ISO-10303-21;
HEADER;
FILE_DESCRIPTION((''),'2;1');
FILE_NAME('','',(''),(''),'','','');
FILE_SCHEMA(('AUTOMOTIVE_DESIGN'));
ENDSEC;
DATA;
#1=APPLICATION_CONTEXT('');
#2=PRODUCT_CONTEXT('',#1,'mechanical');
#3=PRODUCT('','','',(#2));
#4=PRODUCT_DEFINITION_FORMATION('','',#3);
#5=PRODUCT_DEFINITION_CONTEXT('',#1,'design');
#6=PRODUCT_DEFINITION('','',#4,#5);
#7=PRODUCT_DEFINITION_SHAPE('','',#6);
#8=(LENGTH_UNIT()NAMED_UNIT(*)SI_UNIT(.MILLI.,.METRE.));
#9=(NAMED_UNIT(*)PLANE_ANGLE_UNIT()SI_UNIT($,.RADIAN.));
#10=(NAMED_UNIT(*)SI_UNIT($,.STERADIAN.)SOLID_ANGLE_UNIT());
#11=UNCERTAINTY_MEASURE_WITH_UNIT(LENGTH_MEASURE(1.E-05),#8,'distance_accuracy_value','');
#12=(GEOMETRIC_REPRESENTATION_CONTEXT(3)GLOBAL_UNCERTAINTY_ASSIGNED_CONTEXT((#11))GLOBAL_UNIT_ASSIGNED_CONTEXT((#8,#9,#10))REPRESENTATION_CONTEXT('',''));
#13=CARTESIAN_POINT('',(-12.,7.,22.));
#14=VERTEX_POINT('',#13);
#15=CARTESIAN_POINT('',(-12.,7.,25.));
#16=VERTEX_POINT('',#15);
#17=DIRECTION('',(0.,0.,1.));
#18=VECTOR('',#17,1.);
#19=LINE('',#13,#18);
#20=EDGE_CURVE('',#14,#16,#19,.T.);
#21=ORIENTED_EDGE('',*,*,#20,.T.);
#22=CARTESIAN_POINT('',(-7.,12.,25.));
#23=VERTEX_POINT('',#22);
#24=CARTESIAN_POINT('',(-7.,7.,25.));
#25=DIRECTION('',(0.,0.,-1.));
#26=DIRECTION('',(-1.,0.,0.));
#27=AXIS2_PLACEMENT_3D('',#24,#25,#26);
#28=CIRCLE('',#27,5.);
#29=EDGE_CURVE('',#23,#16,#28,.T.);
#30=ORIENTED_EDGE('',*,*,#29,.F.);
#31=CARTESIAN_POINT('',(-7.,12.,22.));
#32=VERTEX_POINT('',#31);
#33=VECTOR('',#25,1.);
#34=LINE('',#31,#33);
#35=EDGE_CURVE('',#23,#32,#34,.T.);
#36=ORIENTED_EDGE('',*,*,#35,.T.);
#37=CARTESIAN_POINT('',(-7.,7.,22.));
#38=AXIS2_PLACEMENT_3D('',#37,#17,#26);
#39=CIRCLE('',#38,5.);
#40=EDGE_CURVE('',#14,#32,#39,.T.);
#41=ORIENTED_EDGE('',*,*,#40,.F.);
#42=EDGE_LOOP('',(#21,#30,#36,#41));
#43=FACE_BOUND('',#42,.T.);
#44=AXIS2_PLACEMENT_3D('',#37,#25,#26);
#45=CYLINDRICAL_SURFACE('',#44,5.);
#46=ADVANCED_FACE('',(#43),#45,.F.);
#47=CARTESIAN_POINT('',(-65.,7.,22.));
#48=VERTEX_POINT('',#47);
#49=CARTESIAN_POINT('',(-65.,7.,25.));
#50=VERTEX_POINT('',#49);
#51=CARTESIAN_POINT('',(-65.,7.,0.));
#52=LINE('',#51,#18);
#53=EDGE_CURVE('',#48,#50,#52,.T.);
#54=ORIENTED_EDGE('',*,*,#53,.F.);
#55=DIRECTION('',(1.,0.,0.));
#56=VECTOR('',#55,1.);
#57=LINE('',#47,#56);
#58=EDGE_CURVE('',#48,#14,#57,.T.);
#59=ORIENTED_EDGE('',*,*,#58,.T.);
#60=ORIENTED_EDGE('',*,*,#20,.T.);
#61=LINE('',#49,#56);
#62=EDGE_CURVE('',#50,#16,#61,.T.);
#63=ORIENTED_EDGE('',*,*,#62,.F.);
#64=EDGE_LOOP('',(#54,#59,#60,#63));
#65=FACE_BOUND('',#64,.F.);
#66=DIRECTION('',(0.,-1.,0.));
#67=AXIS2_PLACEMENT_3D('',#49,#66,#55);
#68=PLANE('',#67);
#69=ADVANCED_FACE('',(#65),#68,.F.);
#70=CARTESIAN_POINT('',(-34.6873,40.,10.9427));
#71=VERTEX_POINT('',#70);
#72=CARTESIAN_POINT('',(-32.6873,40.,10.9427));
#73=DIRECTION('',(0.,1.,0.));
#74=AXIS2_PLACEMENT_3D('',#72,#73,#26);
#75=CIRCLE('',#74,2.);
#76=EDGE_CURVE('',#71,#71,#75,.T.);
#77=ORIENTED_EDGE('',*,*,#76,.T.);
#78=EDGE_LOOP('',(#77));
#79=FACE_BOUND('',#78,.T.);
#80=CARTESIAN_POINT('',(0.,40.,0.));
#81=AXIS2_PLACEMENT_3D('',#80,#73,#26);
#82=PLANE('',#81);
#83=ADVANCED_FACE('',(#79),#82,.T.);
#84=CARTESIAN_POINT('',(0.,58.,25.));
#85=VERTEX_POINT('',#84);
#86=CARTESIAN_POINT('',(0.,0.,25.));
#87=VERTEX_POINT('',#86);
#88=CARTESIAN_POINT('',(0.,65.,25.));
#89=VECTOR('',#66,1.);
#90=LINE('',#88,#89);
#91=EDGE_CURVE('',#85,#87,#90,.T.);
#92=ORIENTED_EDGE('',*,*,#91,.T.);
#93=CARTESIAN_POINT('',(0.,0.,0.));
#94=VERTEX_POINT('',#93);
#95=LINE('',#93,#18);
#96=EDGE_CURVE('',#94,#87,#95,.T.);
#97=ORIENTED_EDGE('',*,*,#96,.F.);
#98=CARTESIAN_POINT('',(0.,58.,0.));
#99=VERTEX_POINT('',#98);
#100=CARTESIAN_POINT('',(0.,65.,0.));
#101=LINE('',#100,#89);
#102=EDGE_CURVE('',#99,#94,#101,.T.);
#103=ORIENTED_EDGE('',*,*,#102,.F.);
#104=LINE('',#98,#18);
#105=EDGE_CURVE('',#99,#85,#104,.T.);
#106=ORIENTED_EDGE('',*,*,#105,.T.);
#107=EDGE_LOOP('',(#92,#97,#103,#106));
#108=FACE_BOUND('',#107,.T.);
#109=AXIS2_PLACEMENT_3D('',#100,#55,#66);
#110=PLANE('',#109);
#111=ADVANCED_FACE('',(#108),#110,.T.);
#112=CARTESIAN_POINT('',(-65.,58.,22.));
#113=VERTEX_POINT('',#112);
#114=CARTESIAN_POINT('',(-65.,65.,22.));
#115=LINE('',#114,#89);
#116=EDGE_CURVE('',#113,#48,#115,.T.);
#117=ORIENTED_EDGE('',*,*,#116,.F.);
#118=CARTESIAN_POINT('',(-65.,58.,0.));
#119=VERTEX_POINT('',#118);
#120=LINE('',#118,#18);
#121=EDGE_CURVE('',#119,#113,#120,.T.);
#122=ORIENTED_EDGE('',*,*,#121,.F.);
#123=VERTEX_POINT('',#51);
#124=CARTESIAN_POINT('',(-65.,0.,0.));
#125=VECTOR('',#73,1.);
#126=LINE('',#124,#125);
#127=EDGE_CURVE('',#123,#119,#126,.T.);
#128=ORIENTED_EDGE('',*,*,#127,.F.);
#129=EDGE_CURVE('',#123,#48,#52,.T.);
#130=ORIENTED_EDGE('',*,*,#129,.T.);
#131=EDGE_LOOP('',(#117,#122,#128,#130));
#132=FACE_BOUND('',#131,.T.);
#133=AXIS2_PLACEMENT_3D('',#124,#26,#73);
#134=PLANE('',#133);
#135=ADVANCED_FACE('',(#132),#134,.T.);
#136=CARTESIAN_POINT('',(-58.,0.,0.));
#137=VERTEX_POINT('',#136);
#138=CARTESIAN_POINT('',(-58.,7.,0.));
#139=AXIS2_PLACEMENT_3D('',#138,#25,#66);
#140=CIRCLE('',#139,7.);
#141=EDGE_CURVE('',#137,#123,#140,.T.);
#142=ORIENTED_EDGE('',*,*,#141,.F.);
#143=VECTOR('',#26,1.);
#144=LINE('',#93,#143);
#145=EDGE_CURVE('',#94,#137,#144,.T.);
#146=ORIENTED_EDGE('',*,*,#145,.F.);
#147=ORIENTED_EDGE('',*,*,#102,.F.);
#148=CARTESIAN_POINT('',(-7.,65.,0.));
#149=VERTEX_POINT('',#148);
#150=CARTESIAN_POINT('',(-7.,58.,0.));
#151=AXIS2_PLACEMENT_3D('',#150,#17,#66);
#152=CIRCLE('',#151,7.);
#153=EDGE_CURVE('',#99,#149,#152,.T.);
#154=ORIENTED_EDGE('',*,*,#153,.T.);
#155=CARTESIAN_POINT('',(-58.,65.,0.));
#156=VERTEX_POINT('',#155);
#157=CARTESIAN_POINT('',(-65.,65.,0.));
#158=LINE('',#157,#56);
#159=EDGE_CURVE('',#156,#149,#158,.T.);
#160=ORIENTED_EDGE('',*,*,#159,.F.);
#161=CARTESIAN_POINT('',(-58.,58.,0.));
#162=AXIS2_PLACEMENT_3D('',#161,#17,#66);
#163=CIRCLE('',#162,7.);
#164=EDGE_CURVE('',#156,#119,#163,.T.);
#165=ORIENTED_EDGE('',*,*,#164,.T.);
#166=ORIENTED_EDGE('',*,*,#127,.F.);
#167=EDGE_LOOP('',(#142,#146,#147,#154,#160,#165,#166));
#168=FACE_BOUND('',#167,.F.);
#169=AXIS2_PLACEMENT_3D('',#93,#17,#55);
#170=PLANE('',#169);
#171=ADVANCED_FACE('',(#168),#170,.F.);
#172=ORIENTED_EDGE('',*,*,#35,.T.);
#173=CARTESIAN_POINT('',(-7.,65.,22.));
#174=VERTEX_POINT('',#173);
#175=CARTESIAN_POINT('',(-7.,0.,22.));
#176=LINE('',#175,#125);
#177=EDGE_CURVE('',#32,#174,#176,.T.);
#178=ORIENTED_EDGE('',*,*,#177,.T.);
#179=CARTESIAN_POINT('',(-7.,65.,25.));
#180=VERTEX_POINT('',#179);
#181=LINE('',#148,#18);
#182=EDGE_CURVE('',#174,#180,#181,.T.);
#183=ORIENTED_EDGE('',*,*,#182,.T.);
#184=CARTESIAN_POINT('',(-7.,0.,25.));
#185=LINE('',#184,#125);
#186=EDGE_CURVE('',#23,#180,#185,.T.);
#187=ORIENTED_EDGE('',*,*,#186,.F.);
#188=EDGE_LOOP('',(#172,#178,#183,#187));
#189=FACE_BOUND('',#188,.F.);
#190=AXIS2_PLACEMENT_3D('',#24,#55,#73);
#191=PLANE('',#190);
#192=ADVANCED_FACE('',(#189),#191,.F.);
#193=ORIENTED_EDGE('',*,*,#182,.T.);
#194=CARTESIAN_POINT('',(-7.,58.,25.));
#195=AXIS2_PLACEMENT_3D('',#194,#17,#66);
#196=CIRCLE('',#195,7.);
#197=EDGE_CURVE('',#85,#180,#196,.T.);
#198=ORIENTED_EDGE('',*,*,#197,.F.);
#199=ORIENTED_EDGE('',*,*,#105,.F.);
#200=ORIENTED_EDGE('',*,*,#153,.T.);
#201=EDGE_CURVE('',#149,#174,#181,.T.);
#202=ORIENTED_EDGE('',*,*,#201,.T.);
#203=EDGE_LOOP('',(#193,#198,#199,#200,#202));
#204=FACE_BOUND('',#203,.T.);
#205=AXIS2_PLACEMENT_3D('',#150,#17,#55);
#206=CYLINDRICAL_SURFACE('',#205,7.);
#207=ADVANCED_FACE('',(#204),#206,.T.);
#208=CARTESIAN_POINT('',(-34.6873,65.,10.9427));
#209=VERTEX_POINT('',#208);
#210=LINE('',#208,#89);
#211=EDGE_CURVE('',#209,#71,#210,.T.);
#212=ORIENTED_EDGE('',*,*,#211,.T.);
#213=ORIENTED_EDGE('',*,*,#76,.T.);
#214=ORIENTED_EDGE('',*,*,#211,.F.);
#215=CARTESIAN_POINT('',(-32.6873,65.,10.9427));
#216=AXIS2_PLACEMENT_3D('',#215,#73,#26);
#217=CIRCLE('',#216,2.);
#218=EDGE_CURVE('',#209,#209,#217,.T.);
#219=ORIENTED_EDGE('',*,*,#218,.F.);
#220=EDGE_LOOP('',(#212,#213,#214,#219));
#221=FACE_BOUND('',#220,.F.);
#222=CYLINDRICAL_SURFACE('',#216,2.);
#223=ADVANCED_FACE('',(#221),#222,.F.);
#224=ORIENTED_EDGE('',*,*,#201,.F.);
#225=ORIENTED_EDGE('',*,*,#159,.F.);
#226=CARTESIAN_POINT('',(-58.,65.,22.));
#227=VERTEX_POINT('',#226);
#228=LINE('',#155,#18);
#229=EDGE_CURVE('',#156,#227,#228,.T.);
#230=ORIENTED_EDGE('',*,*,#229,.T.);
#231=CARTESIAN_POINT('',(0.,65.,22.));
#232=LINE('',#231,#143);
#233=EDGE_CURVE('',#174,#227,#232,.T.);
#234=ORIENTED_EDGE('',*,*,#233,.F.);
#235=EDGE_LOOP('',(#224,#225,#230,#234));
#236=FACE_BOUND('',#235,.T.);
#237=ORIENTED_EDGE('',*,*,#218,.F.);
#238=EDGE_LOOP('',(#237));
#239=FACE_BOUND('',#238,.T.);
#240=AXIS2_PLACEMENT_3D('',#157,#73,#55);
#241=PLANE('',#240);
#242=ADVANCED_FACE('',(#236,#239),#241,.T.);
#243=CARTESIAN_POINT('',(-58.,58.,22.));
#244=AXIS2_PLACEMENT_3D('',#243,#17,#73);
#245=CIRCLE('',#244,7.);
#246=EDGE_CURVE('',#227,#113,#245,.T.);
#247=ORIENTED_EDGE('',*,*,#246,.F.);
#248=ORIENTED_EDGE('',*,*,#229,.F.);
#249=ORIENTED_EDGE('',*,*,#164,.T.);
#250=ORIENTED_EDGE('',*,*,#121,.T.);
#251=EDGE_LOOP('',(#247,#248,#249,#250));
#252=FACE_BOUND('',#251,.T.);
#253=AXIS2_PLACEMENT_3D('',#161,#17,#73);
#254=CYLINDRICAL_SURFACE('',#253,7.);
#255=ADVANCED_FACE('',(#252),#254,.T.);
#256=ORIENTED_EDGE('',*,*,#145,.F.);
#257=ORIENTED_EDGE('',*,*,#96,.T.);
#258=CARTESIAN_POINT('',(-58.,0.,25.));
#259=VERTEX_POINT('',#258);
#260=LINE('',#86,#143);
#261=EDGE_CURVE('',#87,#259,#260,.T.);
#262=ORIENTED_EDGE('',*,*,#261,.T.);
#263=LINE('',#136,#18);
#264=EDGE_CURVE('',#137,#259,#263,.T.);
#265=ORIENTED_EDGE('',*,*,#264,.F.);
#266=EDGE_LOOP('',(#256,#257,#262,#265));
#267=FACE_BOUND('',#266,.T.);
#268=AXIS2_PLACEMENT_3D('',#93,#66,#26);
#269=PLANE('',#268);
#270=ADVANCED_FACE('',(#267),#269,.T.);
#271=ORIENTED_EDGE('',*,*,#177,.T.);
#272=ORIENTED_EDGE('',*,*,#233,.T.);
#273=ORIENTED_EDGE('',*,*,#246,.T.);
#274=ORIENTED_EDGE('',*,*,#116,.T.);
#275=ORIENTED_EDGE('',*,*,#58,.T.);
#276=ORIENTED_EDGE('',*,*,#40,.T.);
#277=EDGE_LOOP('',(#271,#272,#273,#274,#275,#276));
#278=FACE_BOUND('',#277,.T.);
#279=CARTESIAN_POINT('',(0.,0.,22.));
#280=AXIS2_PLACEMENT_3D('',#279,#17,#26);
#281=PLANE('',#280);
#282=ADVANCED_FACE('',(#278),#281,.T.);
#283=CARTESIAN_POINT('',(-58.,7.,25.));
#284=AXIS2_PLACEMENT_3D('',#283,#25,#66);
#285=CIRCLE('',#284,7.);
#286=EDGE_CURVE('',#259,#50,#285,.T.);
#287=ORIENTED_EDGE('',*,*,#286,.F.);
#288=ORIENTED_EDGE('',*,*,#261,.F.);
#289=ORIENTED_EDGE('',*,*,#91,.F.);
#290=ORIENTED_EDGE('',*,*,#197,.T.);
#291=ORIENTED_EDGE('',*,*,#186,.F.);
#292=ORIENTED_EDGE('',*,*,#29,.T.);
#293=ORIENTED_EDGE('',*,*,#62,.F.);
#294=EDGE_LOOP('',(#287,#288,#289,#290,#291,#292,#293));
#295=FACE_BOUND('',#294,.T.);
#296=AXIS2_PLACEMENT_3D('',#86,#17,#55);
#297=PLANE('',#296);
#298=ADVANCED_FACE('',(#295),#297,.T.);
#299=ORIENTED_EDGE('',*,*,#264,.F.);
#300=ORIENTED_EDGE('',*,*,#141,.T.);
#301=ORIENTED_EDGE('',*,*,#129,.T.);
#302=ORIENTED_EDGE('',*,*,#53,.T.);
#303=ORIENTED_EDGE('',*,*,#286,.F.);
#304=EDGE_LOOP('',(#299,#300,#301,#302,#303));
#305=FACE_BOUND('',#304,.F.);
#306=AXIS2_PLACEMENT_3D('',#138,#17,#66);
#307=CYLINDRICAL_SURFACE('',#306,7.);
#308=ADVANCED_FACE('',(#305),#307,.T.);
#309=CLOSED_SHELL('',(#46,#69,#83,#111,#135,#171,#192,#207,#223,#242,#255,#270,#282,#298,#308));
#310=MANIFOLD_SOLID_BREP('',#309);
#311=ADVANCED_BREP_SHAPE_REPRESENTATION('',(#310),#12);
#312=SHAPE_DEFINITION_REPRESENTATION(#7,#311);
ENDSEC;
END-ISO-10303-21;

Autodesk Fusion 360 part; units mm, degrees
sketch "Sketch1" plane through (0, 0, 0) normal (0, 0, 1) x (1, 0, 0)
  line L0 (0, 0) -> (-65, 0)
  line L1 (-65, 0) -> (-65, 65)
  line L2 (-65, 65) -> (0, 65)
  line L3 (0, 65) -> (0, 0)
  dimension "d1" = 65
  dimension "d2" = 65
extrude "Extrude1" add sketch "Sketch1" along normal blind 25
sketch "Sketch2" plane through (0, 0, 25) normal (0, 0, 1) x (-1, 0, 0)
  line L0 (0, -65) -> (65, -65)
  line L1 (65, -65) -> (65, 0)
  line L2 (65, 0) -> (0, 0)
  line L3 (0, 0) -> (0, -65)
  line L4 (0, 0) -> (65, 0)
  line L5 (65, 0) -> (65, -7)
  line L6 (65, -7) -> (0, -7)
  line L7 (0, -7) -> (0, 0)
  line L8 (0, 0) -> (7, 0)
  line L9 (7, 0) -> (7, -65)
  line L10 (7, -65) -> (0, -65)
  line L11 (0, -65) -> (0, 0)
  dimension "d5" = 65
  dimension "d6" = 7
  dimension "d7" = 7
fillet "Fillet1" radius 7 1 edges at (-65, 0, 12.5)
fillet "Fillet2" radius 7 1 edges at (0, 65, 12.5)
fillet "Fillet3" radius 7 1 edges at (-65, 65, 12.5)
extrude "Extrude2" cut sketch "Sketch2" against normal blind 3 contours L0 L1 L6 L9
sketch "Sketch3" plane through (0, 0, 22) normal (0, 0, 1) x (-1, 0, 0)
  arc A0 (58, -65) -> (65, -58) centre (58, -58) ccw
  line L0 (65, -58) -> (65, -7)
  line L1 (65, -7) -> (7, -7)
  line L2 (7, -7) -> (7, -65)
  line L3 (7, -65) -> (58, -65)
  circle A1 centre (7, -7) radius 5
  dimension "d13" = 10
extrude "Extrude3" cut sketch "Sketch3" along normal blind 3 contours L1 L2 A1 | L1 L2 A1
sketch "Sketch4" plane through (0, 65, 0) normal (0, 1, 0) x (-1, 0, 0)
  line L0 (58, 22) -> (7, 22)
  line L1 (7, 22) -> (7, 0)
  line L2 (7, 0) -> (58, 0)
  line L3 (58, 0) -> (58, 22)
  circle A0 centre (32.6873, 10.9427) radius 2
  dimension "d16" = 4
extrude "Extrude4" cut sketch "Sketch4" against normal blind 25 contours A0
